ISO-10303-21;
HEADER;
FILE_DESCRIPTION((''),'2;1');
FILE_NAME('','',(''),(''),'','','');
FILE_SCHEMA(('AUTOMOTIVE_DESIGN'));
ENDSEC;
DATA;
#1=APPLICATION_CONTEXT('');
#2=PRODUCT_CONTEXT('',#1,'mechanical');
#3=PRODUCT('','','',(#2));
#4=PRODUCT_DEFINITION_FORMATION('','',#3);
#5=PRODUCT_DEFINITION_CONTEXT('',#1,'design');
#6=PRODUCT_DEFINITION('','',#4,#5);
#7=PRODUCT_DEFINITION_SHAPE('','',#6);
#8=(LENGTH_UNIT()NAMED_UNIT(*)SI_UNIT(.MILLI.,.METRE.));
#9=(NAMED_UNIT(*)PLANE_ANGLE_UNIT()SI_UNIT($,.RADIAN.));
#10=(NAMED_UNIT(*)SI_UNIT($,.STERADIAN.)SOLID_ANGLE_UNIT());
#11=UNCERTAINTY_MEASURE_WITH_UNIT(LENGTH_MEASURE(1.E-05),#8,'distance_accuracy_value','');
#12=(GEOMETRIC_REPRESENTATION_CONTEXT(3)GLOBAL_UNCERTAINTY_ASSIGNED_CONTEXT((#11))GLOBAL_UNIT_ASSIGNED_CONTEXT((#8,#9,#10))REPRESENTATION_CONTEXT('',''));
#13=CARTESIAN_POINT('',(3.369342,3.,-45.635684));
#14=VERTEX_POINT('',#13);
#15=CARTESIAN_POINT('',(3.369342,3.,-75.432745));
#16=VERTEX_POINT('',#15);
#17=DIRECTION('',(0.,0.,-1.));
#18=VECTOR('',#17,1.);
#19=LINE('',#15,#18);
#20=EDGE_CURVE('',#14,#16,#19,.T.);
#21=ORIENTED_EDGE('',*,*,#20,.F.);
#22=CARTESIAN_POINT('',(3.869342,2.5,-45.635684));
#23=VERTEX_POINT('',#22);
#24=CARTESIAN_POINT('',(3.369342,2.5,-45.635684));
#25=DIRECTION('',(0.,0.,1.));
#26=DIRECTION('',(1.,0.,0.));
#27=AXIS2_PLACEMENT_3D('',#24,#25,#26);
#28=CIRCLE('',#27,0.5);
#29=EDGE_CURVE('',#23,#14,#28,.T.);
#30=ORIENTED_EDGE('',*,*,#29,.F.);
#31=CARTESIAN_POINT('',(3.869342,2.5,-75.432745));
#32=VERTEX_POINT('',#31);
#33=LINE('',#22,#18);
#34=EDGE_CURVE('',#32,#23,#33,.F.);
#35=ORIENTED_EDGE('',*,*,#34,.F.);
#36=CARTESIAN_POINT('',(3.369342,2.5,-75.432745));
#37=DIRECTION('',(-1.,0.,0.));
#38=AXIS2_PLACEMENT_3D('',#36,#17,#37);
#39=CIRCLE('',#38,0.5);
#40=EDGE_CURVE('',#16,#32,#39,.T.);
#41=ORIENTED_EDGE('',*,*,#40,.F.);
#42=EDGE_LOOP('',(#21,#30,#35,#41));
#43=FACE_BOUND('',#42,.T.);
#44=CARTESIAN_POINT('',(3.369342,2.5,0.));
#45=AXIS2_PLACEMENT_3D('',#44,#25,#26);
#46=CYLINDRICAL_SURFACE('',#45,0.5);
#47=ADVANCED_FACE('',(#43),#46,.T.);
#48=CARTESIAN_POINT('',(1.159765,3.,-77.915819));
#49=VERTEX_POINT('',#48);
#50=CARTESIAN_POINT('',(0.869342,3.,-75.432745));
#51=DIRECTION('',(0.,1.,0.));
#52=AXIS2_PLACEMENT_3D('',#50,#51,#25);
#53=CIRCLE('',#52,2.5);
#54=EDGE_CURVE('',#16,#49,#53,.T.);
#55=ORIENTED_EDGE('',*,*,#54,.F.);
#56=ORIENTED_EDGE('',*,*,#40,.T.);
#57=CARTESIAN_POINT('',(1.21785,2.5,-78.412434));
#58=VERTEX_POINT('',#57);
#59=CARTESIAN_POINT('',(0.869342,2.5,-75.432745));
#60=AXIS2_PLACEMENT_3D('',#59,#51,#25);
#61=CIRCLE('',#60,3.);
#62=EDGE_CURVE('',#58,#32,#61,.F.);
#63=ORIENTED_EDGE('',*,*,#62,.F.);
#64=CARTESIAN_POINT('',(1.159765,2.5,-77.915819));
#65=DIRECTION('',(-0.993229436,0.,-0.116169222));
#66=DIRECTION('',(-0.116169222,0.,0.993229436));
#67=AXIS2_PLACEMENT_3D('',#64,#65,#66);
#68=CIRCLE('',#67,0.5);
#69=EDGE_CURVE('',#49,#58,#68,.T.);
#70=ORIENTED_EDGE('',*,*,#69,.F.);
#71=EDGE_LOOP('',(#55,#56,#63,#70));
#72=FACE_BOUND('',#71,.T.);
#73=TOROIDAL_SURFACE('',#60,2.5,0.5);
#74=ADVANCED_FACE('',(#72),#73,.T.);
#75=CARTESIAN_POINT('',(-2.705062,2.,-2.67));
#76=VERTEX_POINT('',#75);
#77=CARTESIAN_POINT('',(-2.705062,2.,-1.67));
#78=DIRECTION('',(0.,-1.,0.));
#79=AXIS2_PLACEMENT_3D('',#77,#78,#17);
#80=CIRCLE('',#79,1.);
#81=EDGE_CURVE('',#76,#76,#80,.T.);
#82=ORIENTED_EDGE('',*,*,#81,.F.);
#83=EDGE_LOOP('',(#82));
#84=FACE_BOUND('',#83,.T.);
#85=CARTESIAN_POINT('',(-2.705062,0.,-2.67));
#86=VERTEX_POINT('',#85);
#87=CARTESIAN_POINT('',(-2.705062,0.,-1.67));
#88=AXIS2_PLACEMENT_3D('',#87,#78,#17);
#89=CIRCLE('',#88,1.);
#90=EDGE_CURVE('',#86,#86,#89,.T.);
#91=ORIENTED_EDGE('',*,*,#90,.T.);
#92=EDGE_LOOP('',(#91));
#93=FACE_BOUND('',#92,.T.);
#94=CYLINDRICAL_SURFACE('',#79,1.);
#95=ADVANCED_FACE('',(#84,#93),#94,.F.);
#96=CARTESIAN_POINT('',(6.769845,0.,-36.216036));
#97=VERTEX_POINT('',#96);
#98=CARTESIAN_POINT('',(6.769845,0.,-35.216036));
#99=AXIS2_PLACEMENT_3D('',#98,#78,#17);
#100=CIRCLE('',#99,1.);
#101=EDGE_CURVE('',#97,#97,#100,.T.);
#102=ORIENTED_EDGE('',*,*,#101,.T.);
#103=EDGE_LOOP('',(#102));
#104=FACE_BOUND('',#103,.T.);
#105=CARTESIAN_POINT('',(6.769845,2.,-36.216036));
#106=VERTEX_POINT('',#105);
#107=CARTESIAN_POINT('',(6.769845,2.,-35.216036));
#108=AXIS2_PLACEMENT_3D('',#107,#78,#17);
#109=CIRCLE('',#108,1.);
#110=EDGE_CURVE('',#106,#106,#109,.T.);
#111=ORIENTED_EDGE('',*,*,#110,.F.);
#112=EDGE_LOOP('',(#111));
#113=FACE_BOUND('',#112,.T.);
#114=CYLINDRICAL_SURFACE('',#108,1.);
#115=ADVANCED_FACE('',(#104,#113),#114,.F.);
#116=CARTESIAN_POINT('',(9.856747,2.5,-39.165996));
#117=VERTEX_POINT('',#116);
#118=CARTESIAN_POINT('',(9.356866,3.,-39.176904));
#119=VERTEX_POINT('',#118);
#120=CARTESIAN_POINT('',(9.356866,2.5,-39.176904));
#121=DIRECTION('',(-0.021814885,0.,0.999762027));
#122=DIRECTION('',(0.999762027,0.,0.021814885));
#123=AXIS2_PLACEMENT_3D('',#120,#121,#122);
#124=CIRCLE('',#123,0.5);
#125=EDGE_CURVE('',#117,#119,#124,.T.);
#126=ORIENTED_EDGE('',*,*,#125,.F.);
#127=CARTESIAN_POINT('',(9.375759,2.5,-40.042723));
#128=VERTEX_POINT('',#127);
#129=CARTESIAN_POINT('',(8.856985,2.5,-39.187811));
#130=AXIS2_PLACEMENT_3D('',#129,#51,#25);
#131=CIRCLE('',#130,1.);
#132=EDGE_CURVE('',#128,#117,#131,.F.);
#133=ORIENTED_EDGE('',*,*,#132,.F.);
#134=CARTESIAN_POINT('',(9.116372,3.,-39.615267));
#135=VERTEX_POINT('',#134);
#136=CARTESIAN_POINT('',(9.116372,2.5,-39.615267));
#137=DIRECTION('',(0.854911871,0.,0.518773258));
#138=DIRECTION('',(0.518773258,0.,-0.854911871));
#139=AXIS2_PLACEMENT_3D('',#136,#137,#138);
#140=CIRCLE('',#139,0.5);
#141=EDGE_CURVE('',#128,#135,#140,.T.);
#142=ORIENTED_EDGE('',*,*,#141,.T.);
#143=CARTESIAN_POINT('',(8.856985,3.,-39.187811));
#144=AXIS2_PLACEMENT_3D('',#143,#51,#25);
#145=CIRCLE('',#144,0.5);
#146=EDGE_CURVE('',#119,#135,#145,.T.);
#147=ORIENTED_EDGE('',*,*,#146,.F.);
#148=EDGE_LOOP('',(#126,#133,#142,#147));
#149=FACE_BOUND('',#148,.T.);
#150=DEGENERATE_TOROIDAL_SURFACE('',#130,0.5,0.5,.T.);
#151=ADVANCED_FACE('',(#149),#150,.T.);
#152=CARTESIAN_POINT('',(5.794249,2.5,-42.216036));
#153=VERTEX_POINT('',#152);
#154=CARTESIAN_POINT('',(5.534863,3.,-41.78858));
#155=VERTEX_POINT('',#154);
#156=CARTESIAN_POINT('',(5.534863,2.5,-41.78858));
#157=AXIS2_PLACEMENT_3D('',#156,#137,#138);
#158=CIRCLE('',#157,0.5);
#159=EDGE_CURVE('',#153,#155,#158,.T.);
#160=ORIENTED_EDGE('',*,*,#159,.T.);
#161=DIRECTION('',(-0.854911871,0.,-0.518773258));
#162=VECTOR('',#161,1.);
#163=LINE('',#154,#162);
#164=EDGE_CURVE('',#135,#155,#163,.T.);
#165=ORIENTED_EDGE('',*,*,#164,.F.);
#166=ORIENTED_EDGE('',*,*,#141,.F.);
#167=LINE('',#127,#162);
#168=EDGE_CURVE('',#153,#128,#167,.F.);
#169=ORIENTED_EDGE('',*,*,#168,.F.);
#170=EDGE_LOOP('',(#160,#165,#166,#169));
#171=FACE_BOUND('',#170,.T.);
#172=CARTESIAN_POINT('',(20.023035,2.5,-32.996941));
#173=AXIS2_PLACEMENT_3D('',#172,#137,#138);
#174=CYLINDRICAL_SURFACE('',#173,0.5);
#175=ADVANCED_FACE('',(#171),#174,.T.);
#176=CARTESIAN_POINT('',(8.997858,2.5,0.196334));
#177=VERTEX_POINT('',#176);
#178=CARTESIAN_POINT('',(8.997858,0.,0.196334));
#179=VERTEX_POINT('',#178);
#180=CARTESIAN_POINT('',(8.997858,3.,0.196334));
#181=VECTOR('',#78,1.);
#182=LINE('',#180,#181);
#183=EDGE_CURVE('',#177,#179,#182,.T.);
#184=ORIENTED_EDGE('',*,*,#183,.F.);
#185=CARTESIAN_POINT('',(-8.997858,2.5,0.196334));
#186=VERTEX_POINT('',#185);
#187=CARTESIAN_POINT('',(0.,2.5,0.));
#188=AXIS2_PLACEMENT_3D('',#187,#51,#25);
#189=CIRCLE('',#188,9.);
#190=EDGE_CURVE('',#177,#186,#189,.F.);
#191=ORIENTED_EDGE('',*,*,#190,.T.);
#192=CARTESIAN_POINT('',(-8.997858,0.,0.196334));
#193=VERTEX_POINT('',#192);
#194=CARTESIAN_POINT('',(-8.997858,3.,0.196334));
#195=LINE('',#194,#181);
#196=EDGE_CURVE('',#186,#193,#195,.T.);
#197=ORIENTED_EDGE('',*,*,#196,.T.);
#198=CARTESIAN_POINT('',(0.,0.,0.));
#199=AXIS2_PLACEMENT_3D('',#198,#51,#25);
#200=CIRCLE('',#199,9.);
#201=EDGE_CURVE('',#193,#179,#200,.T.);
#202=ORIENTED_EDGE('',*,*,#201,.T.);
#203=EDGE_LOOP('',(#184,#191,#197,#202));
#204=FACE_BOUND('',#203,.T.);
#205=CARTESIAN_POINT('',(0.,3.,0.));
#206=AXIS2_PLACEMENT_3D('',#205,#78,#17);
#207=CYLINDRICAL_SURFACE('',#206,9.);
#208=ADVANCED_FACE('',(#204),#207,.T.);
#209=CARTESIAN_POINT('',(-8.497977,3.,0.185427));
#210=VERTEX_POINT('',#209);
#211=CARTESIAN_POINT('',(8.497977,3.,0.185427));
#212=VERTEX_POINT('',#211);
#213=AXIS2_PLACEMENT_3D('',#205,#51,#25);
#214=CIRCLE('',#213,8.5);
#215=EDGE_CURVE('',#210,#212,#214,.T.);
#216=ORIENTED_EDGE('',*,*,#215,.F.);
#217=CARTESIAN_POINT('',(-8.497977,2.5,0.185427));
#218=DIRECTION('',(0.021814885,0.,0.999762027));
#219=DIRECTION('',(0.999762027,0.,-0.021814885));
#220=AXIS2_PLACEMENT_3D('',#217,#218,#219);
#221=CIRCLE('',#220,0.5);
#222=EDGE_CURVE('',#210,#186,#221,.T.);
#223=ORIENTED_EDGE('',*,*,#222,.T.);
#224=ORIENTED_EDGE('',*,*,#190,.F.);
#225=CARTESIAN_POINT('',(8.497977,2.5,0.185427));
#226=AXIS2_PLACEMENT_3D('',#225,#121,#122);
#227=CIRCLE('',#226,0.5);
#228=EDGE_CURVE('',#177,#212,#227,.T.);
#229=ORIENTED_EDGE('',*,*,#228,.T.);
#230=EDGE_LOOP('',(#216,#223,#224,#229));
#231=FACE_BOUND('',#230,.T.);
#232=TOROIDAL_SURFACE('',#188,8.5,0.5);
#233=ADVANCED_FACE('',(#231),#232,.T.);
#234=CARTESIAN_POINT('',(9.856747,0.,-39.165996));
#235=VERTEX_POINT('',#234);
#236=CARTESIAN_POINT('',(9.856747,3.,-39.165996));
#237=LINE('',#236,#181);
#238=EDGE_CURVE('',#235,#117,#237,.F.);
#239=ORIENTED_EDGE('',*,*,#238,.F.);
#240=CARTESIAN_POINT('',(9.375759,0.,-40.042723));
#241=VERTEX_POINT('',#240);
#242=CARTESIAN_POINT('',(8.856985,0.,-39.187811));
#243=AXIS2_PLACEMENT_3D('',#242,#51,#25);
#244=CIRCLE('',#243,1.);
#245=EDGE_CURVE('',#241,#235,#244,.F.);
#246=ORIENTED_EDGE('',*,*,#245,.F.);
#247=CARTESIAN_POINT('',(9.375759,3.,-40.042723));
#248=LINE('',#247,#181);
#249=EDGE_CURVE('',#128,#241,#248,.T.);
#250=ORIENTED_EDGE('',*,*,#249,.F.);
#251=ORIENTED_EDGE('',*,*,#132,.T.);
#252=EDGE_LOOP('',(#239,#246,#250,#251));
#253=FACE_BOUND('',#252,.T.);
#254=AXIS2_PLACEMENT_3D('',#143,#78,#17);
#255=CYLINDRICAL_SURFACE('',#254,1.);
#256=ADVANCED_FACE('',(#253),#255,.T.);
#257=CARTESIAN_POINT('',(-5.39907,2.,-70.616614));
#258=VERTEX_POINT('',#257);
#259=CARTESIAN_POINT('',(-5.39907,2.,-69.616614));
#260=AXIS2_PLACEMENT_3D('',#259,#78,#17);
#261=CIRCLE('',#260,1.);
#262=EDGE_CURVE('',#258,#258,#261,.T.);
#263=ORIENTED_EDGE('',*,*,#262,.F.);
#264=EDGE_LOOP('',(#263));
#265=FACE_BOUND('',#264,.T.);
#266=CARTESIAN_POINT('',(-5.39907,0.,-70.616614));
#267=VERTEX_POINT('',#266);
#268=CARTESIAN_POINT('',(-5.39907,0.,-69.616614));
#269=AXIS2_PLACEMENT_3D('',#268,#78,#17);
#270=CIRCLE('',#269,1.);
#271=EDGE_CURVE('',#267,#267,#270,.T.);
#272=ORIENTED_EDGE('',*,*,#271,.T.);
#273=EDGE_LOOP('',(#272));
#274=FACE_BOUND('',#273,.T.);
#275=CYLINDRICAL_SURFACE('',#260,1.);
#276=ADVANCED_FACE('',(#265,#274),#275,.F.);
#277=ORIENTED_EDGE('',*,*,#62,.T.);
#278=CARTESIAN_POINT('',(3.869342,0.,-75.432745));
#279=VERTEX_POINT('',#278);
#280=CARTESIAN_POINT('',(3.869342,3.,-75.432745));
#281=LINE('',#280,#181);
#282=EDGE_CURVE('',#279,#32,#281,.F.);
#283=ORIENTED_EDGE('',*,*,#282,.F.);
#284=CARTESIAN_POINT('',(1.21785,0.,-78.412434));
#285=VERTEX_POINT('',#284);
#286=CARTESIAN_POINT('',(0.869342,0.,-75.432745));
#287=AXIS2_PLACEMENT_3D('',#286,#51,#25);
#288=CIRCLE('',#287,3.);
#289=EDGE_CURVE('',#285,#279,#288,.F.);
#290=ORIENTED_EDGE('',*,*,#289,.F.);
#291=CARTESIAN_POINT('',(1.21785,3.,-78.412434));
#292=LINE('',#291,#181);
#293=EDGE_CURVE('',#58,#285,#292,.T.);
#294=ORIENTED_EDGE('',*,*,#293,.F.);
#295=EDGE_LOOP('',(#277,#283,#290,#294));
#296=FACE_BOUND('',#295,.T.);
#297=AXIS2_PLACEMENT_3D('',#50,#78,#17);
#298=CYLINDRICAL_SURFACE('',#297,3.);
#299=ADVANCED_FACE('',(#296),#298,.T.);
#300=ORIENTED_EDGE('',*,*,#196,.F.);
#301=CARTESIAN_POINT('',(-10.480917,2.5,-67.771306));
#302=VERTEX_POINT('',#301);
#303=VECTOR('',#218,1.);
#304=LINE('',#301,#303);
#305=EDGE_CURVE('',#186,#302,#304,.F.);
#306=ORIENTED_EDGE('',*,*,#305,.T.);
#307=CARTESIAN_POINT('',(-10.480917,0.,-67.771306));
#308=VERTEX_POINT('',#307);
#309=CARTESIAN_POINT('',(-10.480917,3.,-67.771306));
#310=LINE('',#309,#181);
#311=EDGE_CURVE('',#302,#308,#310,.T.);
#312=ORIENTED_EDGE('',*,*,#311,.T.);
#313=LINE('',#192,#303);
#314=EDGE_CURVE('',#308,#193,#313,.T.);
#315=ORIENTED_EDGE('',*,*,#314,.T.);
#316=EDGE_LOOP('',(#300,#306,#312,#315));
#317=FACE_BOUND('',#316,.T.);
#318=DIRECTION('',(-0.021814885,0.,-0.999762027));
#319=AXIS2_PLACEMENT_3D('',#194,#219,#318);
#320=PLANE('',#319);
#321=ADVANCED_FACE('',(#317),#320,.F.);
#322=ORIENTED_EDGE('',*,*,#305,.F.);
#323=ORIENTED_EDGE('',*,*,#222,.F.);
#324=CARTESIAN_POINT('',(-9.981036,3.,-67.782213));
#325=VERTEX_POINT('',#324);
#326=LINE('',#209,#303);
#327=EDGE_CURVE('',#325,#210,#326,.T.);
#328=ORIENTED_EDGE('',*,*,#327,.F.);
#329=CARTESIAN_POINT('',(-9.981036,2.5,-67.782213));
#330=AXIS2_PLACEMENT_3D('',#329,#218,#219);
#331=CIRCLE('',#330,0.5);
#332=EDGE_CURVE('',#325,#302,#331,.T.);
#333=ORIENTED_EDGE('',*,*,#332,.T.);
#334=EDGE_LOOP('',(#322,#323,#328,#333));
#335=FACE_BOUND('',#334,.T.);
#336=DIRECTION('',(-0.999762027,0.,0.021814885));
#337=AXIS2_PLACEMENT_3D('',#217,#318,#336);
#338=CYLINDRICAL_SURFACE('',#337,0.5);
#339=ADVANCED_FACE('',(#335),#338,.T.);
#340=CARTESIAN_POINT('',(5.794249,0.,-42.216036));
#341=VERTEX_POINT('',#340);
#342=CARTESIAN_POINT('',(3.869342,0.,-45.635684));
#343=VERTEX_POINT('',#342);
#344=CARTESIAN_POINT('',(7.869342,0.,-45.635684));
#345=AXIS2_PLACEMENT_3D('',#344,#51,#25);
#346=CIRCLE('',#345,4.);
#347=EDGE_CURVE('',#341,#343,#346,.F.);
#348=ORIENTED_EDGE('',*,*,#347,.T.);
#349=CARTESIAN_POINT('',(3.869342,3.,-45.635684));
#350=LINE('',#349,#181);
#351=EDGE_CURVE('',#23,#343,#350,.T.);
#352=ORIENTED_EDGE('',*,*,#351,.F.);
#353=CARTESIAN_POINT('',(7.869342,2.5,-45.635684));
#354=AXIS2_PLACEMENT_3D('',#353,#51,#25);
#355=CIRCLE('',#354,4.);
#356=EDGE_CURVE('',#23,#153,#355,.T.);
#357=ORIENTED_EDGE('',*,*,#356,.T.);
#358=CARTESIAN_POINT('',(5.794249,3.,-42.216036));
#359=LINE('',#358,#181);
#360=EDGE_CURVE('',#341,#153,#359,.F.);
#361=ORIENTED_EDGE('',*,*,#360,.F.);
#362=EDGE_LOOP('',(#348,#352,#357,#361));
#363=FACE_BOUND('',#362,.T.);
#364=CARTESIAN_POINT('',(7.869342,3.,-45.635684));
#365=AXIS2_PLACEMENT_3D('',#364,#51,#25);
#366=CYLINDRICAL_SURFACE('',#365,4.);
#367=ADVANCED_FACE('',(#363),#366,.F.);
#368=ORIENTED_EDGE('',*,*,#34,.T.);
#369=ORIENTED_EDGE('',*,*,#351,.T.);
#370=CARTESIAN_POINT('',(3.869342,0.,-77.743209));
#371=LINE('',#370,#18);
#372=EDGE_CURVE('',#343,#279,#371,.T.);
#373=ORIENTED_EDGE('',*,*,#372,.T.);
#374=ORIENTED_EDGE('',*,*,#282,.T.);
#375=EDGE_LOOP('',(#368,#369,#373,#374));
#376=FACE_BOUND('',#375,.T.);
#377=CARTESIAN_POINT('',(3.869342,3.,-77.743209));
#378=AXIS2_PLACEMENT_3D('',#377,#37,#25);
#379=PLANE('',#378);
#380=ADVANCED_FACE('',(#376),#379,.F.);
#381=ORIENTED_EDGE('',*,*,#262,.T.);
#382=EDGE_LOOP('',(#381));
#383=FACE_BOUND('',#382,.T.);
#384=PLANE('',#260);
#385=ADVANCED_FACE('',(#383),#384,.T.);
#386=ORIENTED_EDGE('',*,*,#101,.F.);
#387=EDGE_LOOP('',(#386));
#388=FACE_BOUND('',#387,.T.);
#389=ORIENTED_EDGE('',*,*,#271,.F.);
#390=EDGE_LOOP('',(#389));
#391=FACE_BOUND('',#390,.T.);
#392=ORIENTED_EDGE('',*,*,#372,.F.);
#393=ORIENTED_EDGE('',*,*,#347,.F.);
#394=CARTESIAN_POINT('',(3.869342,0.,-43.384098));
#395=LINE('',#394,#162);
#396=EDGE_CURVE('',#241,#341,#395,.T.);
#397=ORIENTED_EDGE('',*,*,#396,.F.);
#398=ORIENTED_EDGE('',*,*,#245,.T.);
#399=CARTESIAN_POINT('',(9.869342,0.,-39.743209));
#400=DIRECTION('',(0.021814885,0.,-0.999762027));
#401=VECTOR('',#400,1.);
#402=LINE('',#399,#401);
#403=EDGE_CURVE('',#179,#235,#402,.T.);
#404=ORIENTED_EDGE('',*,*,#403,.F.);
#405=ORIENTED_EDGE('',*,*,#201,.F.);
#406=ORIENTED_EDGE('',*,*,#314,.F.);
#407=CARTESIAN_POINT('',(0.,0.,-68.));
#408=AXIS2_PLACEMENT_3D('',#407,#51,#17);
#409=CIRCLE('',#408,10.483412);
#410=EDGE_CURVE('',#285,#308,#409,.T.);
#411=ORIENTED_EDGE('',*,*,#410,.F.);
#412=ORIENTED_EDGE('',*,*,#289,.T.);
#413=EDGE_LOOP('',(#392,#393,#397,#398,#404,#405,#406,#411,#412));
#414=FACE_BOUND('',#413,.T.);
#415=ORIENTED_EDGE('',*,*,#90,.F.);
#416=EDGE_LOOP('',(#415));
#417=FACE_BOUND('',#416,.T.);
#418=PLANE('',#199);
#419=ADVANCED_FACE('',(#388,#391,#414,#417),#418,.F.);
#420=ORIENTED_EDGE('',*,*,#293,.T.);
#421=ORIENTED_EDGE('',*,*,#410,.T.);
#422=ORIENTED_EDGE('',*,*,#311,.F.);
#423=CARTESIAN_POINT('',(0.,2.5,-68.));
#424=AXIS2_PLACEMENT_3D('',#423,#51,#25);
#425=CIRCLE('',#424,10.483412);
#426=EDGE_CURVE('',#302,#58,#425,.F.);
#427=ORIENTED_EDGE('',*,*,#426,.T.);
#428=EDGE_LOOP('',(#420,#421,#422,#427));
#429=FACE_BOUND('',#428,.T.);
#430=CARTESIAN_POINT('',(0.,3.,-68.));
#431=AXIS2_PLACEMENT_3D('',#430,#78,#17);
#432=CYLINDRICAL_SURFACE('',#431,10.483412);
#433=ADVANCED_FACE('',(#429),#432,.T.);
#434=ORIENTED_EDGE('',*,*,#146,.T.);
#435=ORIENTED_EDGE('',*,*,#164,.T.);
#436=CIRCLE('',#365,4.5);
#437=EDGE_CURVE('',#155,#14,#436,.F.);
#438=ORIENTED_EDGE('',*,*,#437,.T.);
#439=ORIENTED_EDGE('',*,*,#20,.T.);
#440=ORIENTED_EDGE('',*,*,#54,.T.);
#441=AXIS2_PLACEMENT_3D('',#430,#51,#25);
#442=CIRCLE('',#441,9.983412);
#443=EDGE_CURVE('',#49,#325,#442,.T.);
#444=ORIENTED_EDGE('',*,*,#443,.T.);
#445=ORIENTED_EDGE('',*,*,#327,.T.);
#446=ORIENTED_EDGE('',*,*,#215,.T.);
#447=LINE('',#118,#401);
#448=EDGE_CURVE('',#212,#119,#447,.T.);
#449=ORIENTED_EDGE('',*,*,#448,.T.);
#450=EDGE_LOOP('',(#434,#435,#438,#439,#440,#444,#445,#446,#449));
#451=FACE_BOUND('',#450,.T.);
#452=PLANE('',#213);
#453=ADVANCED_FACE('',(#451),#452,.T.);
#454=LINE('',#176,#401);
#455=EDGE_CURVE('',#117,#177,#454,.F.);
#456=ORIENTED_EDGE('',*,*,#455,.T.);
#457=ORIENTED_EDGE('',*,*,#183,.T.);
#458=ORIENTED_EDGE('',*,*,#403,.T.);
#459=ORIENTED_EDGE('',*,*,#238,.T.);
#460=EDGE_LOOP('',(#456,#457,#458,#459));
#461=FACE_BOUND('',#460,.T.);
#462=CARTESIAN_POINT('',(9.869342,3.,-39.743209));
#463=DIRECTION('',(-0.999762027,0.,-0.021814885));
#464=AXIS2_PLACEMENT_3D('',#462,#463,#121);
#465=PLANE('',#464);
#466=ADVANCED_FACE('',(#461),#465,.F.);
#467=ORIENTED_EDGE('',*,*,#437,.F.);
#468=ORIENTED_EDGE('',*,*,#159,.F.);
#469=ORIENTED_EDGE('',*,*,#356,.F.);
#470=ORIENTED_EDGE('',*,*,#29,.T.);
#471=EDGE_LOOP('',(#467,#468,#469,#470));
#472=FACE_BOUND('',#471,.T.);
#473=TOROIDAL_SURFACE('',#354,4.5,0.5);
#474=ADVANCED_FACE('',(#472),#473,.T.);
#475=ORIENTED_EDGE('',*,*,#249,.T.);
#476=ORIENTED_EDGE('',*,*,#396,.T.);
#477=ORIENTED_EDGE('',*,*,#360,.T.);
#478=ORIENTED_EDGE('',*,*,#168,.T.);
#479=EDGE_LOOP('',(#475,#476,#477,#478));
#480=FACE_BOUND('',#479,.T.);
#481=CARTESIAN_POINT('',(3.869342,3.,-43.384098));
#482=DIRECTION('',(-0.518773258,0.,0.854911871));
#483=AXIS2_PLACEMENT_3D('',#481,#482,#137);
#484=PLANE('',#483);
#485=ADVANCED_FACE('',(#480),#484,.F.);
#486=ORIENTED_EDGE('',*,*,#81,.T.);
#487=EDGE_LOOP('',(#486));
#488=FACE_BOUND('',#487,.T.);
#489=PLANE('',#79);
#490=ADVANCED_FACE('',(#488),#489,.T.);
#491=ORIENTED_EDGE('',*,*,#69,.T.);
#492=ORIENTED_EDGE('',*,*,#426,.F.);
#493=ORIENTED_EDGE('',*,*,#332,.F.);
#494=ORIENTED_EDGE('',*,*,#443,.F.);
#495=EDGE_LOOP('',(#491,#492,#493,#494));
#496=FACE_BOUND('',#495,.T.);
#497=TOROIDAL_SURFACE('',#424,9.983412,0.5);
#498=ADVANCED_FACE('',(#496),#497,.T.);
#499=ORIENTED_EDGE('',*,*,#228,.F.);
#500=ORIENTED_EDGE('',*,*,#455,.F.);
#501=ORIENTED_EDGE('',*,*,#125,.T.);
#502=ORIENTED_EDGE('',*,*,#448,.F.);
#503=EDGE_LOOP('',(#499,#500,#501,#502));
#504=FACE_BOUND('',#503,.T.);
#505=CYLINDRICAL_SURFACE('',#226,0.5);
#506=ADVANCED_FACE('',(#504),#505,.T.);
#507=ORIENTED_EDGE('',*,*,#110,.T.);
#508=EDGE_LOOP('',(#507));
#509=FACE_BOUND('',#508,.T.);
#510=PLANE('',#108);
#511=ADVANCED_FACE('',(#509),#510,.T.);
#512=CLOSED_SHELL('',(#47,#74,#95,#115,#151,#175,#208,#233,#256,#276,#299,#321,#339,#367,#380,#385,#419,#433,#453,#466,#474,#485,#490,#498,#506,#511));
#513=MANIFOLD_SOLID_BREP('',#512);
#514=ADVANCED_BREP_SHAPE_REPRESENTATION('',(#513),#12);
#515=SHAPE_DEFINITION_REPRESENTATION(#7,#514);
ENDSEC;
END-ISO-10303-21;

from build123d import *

# Parameters (mm, degrees)
BOSS_EXTRUDE1_DEPTH = 3
FILLET1_R           = 4
FILLET2_R           = 3
FILLET3_R           = 1
FILLET5_R           = 0.5
SKETCH1_R           = 1
CUT_EXTRUDE1_DEPTH  = 2


with BuildPart() as part:
    # cover_itself → Boss-Extrude1 (new body)
    with BuildSketch(Plane(origin=(0, 0, 0), x_dir=(1, 0, 0), z_dir=(0, 1, 0))):
        with BuildLine():
            Line((-8.997858244, -0.196333965), (-10.480917414, 67.771305568))
            ThreePointArc((-10.480917414, 67.771305568), (-5.982302771, 76.608947935), (3.869342172, 77.743209027))
            Line((3.869342172, 77.743209027), (3.869342172, 43.384098405))
            Line((3.869342172, 43.384098405), (9.869342172, 39.743209027))
            Line((9.869342172, 39.743209027), (8.997858244, -0.196333965))
            ThreePointArc((8.997858244, -0.196333965), (0, -9), (-8.997858244, -0.196333965))
        make_face()
    extrude(amount=BOSS_EXTRUDE1_DEPTH)

    # Fillet1
    fillet1_edges = [part.edges().sort_by_distance(p)[0] for p in [
        (3.869342172, 1.5, -43.384098405),
    ]]
    fillet(fillet1_edges, radius=FILLET1_R)

    # Fillet2
    fillet2_edges = [part.edges().sort_by_distance(p)[0] for p in [
        (3.869342172, 1.5, -77.743209027),
    ]]
    fillet(fillet2_edges, radius=FILLET2_R)

    # Fillet3
    fillet3_edges = [part.edges().sort_by_distance(p)[0] for p in [
        (9.869342172, 1.5, -39.743209027),
    ]]
    fillet(fillet3_edges, radius=FILLET3_R)

    # Fillet5
    fillet5_edges = [part.edges().sort_by_distance(p)[0] for p in [
        (-9.739387829, 3, -33.787485802),
        (3.869342172, 3, -60.534214462),
        (4.383630471, 3, -43.673589393),
        (-7.054041855, 3, -75.755154705),
        (3.110493996, 3, -77.427046765),
        (7.585003856, 3, -41.129379545),
        (9.733712071, 3, -39.668799805),
        (0, 3, 9),
        (9.427302793, 3, -19.484831093),
    ]]
    fillet(fillet5_edges, radius=FILLET5_R)

    # Sketch1 → Cut-Extrude1 (cut)
    with BuildSketch(Plane.XZ):
        with Locations((-2.705062156, -1.67)):
            Circle(SKETCH1_R)
        with Locations((6.76984482, -35.216036183)):
            Circle(SKETCH1_R)
        with Locations((-5.399070001, -69.616613762)):
            Circle(SKETCH1_R)
    extrude(amount=-CUT_EXTRUDE1_DEPTH, mode=Mode.SUBTRACT)


solid = part.part
